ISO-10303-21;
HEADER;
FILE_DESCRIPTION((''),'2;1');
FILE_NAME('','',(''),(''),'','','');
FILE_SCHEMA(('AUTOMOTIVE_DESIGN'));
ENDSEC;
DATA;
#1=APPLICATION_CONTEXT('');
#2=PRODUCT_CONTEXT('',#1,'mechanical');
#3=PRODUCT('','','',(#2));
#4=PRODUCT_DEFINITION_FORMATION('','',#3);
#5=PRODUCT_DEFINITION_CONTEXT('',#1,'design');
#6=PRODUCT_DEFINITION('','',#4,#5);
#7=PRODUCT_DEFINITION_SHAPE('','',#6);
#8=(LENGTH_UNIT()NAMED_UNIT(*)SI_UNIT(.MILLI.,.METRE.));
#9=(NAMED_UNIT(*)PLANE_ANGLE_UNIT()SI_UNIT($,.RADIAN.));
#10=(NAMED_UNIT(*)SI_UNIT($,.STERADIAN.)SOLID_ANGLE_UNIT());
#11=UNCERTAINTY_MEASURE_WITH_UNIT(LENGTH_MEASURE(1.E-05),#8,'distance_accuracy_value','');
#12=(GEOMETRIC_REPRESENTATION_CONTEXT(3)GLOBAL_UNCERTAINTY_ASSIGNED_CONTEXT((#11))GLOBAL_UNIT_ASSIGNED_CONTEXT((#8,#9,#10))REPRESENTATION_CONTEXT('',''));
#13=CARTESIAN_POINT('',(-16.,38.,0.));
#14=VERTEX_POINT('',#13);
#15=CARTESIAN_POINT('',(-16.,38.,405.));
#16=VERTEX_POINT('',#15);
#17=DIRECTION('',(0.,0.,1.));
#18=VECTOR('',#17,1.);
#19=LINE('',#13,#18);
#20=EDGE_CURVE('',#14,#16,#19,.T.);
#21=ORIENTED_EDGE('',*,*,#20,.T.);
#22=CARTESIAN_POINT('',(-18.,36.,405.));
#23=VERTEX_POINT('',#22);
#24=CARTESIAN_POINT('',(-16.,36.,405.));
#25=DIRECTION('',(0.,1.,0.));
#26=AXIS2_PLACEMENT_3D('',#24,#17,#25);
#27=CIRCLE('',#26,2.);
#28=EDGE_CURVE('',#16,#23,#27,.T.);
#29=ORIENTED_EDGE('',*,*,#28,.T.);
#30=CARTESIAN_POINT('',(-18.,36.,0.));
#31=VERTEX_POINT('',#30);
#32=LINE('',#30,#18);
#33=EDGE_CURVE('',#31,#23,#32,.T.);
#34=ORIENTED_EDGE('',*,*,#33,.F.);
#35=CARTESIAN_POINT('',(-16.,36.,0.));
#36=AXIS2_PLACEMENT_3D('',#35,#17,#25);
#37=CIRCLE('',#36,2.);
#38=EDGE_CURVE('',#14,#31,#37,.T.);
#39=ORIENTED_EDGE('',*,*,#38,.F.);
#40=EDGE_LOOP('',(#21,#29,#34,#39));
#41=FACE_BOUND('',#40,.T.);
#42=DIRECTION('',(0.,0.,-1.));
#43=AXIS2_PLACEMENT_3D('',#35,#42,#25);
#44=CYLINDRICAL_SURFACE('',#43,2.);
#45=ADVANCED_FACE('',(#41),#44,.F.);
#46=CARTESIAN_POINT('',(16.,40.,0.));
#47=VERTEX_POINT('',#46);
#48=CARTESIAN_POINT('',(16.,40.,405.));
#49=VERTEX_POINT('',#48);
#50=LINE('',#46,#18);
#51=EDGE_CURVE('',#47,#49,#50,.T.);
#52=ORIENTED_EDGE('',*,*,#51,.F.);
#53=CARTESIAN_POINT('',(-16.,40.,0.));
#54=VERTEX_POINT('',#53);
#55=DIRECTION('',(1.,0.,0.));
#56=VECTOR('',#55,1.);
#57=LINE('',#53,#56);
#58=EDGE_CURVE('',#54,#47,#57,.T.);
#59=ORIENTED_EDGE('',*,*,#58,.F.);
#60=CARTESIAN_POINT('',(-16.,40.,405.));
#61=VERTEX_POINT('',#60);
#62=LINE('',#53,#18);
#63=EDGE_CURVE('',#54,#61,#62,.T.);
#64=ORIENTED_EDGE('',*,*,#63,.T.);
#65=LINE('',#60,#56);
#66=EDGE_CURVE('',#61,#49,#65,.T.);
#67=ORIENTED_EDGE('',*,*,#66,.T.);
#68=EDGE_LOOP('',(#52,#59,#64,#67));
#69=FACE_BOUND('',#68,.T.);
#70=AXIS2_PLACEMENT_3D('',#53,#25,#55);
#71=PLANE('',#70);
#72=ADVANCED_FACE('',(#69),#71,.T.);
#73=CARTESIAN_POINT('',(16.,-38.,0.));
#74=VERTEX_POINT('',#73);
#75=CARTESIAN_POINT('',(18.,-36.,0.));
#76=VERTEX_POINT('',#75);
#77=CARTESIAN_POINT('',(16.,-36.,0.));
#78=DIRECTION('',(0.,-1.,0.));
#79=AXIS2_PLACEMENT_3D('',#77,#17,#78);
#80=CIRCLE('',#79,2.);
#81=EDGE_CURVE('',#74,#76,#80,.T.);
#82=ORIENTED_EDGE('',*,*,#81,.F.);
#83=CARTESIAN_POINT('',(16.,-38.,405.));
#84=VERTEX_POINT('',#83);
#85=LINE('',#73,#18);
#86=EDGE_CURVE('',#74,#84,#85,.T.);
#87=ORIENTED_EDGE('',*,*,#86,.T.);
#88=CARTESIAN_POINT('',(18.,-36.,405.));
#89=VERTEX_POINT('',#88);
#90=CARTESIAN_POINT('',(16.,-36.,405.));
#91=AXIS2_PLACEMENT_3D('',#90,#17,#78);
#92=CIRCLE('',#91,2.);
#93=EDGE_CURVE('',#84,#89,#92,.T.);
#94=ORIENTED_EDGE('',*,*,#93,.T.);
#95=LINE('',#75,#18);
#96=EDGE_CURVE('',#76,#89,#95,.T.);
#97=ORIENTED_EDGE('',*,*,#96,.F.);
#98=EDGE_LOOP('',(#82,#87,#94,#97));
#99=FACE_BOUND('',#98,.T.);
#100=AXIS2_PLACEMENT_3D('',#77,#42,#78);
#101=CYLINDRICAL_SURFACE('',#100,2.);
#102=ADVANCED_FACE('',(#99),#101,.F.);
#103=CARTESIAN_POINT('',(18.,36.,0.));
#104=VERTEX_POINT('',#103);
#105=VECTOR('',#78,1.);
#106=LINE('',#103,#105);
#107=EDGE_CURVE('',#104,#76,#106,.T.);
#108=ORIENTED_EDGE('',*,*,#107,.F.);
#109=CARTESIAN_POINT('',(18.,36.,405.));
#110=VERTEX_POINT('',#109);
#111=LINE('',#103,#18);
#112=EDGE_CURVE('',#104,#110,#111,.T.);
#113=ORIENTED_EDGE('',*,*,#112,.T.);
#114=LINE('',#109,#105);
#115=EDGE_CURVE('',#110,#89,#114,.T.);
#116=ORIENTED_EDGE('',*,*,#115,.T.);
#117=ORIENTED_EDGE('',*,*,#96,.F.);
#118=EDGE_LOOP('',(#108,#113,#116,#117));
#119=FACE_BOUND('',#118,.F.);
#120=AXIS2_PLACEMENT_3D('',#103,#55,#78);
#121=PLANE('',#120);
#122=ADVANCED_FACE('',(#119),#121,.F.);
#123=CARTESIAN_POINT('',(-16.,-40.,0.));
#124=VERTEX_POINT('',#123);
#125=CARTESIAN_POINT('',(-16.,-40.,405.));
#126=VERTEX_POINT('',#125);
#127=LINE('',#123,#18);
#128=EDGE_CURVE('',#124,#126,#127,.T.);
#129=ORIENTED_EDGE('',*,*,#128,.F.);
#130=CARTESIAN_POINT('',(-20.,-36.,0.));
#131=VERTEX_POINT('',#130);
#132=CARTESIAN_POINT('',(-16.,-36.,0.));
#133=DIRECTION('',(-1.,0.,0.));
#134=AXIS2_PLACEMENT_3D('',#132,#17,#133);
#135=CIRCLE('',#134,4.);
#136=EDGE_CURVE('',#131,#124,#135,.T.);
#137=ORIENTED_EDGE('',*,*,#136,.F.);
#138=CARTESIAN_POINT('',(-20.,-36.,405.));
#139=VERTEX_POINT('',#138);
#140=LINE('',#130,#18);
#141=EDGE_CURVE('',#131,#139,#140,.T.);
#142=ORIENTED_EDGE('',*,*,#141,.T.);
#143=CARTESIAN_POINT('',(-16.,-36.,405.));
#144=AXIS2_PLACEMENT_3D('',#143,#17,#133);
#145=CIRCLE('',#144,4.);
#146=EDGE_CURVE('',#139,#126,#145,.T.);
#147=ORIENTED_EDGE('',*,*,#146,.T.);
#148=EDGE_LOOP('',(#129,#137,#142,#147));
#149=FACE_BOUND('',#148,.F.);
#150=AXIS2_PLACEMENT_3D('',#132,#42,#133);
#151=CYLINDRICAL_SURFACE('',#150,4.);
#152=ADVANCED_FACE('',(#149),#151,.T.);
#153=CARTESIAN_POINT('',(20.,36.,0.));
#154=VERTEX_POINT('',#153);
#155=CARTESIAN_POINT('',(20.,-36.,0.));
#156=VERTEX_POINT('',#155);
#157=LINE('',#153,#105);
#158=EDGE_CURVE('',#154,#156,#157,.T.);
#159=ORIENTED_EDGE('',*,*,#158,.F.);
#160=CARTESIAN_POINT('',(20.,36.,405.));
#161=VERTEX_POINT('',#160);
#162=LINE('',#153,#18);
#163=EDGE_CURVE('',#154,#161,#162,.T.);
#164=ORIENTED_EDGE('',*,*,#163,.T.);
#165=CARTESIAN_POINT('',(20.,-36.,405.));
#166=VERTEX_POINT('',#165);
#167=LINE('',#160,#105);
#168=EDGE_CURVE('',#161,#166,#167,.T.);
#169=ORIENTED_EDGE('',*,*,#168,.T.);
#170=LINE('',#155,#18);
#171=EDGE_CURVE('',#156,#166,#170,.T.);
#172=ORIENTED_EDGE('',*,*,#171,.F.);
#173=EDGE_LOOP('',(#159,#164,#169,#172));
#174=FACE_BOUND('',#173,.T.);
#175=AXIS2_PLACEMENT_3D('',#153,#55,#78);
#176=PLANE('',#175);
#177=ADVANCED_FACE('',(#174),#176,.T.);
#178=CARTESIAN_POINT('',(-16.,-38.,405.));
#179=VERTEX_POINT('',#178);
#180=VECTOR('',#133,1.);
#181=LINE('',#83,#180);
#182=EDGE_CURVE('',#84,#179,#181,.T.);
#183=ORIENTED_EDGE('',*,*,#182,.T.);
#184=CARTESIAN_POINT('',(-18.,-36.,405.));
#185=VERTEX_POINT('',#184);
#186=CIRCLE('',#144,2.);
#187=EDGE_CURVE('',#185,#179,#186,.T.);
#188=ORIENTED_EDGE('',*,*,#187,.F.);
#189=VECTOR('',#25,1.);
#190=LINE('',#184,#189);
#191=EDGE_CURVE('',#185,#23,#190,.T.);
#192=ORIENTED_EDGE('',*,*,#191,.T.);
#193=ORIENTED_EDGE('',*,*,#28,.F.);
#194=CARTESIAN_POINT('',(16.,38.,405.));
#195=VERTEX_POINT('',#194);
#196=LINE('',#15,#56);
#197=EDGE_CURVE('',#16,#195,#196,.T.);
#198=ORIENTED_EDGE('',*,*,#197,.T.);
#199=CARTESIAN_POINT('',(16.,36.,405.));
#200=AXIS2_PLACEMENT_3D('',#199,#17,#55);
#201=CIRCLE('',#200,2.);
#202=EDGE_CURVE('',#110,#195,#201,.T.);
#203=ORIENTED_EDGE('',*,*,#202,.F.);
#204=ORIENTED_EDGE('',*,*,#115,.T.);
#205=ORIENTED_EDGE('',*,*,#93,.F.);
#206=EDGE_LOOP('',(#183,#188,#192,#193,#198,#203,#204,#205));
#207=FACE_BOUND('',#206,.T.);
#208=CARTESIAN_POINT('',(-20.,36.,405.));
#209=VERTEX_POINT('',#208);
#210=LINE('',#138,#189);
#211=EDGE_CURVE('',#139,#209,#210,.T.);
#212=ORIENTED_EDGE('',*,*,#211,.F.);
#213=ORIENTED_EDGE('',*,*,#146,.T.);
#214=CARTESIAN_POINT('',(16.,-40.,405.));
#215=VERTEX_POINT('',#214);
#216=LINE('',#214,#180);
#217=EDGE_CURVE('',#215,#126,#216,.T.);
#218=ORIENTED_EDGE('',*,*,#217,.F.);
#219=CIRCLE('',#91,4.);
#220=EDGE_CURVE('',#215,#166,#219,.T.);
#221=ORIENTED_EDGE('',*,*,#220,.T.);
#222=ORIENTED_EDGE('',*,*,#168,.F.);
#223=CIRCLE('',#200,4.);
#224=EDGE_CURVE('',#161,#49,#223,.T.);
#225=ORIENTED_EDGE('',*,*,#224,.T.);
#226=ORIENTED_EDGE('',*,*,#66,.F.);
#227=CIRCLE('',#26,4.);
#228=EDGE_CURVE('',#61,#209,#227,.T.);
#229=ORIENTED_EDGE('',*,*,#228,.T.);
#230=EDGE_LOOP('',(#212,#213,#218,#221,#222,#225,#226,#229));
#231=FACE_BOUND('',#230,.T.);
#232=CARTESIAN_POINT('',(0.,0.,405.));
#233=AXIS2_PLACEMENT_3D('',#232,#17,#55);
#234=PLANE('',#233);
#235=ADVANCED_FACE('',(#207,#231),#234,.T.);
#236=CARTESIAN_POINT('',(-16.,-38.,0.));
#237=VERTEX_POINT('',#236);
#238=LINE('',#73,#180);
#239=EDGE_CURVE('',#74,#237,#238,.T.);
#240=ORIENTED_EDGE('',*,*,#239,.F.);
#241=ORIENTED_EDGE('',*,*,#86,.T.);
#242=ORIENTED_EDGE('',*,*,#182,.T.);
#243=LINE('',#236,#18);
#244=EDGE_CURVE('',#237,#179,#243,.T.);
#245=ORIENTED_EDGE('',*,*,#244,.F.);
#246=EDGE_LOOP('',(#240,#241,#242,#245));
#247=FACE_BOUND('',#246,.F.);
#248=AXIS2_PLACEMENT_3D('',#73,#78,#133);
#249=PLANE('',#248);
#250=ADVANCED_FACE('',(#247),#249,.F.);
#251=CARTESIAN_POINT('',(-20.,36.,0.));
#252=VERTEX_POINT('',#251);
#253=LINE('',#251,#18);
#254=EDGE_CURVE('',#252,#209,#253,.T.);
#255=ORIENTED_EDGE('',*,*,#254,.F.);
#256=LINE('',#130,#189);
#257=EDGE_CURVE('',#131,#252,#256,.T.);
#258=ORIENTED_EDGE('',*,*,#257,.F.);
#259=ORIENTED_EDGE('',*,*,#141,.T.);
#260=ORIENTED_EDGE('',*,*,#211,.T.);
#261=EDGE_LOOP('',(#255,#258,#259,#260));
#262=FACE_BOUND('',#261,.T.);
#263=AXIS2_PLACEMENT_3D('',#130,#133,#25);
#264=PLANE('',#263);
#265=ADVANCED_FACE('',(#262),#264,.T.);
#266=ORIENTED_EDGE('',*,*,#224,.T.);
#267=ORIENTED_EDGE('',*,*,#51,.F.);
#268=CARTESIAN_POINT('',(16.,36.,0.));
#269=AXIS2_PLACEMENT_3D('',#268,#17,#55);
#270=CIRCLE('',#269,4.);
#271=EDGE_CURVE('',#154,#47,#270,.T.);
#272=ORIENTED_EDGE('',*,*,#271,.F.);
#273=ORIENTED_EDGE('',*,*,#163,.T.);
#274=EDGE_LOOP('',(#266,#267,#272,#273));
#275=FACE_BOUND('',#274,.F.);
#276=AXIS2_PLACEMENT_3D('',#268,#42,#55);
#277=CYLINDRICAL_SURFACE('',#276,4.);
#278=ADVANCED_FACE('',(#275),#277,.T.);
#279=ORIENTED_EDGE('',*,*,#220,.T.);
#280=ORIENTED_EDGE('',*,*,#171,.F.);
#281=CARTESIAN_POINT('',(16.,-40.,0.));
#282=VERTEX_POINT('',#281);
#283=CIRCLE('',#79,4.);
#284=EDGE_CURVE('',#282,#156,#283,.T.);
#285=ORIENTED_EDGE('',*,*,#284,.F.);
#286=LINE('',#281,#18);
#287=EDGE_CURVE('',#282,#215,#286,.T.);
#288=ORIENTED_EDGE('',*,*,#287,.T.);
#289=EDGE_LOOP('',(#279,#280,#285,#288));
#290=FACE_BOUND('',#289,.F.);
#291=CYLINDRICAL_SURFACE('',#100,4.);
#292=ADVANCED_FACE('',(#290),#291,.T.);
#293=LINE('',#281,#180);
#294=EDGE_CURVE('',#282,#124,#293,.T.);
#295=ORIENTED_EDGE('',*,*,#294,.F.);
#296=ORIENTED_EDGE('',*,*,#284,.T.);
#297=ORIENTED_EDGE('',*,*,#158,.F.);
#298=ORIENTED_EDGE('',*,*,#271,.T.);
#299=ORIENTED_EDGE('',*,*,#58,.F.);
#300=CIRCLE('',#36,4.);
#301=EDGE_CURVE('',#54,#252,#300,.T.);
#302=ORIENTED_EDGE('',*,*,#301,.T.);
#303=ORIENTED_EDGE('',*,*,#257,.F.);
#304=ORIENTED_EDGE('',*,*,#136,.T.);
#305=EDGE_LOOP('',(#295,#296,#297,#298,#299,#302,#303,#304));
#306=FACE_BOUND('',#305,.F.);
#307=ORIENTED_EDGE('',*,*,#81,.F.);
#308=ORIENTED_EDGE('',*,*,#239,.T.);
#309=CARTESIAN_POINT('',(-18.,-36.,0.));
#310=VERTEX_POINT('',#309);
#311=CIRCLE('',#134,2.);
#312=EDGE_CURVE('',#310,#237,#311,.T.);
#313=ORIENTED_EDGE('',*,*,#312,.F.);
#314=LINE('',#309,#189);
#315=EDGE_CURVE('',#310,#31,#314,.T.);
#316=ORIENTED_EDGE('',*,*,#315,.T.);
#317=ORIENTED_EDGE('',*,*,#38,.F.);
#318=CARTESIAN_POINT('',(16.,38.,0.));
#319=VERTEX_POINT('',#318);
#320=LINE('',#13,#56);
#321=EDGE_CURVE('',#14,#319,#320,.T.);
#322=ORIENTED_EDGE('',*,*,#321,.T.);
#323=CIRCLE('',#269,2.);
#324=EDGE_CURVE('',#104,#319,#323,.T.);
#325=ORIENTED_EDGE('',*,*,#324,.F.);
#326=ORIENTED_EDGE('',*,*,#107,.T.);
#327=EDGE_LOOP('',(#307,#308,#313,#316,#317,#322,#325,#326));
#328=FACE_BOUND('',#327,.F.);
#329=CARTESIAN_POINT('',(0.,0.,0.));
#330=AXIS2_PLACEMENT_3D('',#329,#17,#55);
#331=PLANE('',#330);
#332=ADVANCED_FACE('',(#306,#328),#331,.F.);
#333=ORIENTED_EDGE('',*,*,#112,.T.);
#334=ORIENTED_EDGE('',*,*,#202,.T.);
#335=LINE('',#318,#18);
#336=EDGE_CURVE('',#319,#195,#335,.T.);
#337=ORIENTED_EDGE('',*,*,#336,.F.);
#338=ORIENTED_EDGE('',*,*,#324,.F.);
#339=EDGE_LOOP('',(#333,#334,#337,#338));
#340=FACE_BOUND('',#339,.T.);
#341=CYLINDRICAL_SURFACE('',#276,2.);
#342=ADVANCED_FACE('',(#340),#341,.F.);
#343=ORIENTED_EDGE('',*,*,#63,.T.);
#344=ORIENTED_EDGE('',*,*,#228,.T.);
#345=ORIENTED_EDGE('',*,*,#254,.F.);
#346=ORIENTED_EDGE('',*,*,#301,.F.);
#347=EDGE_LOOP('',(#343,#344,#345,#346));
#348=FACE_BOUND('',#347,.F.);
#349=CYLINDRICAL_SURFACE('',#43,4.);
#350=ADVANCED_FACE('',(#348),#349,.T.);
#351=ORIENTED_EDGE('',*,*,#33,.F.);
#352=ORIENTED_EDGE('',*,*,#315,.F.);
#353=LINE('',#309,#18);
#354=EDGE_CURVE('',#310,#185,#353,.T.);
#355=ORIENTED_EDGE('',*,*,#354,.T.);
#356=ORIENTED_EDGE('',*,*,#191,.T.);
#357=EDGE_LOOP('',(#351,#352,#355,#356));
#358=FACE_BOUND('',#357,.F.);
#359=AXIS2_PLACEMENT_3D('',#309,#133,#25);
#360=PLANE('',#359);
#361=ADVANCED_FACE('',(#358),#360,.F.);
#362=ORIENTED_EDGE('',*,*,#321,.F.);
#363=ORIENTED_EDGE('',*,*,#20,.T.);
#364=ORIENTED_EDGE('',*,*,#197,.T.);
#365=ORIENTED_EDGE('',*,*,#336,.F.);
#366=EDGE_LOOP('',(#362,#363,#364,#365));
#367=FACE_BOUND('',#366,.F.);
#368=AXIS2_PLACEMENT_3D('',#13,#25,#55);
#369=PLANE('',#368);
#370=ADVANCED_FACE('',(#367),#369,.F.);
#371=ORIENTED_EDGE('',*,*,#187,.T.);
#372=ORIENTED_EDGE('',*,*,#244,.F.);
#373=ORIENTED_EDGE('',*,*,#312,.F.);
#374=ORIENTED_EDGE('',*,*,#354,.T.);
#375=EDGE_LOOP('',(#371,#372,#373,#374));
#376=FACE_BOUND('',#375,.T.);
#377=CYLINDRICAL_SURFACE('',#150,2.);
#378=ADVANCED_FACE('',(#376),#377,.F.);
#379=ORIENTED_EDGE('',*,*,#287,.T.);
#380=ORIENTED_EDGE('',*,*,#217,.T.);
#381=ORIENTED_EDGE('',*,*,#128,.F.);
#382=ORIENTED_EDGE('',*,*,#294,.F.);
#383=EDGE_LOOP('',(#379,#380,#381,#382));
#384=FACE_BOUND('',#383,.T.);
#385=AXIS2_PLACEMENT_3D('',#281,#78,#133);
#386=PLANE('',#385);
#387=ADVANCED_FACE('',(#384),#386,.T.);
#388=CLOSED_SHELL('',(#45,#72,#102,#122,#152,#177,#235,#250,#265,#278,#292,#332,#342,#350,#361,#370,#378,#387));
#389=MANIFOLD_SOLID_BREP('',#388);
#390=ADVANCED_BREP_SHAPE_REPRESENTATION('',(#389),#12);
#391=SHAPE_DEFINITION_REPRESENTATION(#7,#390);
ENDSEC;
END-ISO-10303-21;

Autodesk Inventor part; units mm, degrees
ref_plane "YZ Plane" through (0, 0, 0) normal (1, 0, 0) x (0, 1, 0)
ref_plane "Start Plane" through (0, 0, 0) normal (0, 0, 1) x (1, 0, 0)
ref_plane "End Plane" through (0, 0, 405) normal (0, 0, 1) x (1, 0, 0)
sketch "Sketch" plane through (0, 0, 0) normal (0, 0, 1) x (1, 0, 0)
  line L0 (-20, -36) -> (-20, 36)
  line L1 (-16, 40) -> (16, 40)
  line L2 (20, 36) -> (20, -36)
  line L3 (16, -40) -> (-16, -40)
  arc A0 (-20, -36) -> (-16, -40) centre (-16, -36) ccw
  arc A1 (20, 36) -> (16, 40) centre (16, 36) ccw
  arc A2 (-16, 40) -> (-20, 36) centre (-16, 36) ccw
  arc A3 (16, -40) -> (20, -36) centre (16, -36) ccw
  arc A4 (-16, 38) -> (-18, 36) centre (-16, 36) ccw
  line L4 (-16, 38) -> (16, 38)
  arc A5 (18, 36) -> (16, 38) centre (16, 36) ccw
  line L5 (18, 36) -> (18, -36)
  arc A6 (16, -38) -> (18, -36) centre (16, -36) ccw
  line L6 (16, -38) -> (-16, -38)
  arc A7 (-18, -36) -> (-16, -38) centre (-16, -36) ccw
  line L7 (-18, -36) -> (-18, 36)
  line L8 (0, 57.1598) -> (0, -57.1598) construction
  line L9 (-29.1598, 0) -> (29.1598, 0) construction
  dimension "d7" = 4
  dimension "d9" = 40
  dimension "d11" = 80
  dimension "d12" = 2
  dimension "d15" = 20
  dimension "d16" = 40
extrude "Body" add sketch "Sketch" along normal up to surface (405 mm away) from surface at 0
sketch "Sketch3" plane through (0, 0, 0) normal (0, 0, 1) x (1, 0, 0)
  line L0 (0, 0) -> (10, 0)
ref_plane "Work Plane3" through (0, 0, 0) normal (0, -1, 0) x (1, 0, 0)
sketch "Sketch4" plane through (0, 0, 0) normal (0, -1, 0) x (1, 0, 0)
  line L0 (-2, 0) -> (12, 0) projected
  line L1 (-2, 405) -> (12, 405) projected
  dimension "d18" = 405
equation "\"d7\" = G_IR"
equation "\"d9\" = G_W"
equation "\"d11\" = G_H"
equation "\"d12\" = G_T"
equation "\"d15\" = 0.5 * d9"
equation "\"d16\" = 0.5 * d11"
equation "\"d3\" = G_L"
equation "\"G_W\" = 40"
equation "\"G_H\" = 80"
equation "\"G_T\" = 2"
equation "\"G_IR\" = 4"
equation "\"G_L\" = d18"
equation "\"G_OFFSET_START\" = 0"
equation "\"G_OFFSET_END\" = 0"
equation "\"d14\" = G_OFFSET_END + B_L"
equation "\"B_L\" = 405"
properties part number "ISO 4019 - 80x40x2 - 405" material "Steel, Mild"
